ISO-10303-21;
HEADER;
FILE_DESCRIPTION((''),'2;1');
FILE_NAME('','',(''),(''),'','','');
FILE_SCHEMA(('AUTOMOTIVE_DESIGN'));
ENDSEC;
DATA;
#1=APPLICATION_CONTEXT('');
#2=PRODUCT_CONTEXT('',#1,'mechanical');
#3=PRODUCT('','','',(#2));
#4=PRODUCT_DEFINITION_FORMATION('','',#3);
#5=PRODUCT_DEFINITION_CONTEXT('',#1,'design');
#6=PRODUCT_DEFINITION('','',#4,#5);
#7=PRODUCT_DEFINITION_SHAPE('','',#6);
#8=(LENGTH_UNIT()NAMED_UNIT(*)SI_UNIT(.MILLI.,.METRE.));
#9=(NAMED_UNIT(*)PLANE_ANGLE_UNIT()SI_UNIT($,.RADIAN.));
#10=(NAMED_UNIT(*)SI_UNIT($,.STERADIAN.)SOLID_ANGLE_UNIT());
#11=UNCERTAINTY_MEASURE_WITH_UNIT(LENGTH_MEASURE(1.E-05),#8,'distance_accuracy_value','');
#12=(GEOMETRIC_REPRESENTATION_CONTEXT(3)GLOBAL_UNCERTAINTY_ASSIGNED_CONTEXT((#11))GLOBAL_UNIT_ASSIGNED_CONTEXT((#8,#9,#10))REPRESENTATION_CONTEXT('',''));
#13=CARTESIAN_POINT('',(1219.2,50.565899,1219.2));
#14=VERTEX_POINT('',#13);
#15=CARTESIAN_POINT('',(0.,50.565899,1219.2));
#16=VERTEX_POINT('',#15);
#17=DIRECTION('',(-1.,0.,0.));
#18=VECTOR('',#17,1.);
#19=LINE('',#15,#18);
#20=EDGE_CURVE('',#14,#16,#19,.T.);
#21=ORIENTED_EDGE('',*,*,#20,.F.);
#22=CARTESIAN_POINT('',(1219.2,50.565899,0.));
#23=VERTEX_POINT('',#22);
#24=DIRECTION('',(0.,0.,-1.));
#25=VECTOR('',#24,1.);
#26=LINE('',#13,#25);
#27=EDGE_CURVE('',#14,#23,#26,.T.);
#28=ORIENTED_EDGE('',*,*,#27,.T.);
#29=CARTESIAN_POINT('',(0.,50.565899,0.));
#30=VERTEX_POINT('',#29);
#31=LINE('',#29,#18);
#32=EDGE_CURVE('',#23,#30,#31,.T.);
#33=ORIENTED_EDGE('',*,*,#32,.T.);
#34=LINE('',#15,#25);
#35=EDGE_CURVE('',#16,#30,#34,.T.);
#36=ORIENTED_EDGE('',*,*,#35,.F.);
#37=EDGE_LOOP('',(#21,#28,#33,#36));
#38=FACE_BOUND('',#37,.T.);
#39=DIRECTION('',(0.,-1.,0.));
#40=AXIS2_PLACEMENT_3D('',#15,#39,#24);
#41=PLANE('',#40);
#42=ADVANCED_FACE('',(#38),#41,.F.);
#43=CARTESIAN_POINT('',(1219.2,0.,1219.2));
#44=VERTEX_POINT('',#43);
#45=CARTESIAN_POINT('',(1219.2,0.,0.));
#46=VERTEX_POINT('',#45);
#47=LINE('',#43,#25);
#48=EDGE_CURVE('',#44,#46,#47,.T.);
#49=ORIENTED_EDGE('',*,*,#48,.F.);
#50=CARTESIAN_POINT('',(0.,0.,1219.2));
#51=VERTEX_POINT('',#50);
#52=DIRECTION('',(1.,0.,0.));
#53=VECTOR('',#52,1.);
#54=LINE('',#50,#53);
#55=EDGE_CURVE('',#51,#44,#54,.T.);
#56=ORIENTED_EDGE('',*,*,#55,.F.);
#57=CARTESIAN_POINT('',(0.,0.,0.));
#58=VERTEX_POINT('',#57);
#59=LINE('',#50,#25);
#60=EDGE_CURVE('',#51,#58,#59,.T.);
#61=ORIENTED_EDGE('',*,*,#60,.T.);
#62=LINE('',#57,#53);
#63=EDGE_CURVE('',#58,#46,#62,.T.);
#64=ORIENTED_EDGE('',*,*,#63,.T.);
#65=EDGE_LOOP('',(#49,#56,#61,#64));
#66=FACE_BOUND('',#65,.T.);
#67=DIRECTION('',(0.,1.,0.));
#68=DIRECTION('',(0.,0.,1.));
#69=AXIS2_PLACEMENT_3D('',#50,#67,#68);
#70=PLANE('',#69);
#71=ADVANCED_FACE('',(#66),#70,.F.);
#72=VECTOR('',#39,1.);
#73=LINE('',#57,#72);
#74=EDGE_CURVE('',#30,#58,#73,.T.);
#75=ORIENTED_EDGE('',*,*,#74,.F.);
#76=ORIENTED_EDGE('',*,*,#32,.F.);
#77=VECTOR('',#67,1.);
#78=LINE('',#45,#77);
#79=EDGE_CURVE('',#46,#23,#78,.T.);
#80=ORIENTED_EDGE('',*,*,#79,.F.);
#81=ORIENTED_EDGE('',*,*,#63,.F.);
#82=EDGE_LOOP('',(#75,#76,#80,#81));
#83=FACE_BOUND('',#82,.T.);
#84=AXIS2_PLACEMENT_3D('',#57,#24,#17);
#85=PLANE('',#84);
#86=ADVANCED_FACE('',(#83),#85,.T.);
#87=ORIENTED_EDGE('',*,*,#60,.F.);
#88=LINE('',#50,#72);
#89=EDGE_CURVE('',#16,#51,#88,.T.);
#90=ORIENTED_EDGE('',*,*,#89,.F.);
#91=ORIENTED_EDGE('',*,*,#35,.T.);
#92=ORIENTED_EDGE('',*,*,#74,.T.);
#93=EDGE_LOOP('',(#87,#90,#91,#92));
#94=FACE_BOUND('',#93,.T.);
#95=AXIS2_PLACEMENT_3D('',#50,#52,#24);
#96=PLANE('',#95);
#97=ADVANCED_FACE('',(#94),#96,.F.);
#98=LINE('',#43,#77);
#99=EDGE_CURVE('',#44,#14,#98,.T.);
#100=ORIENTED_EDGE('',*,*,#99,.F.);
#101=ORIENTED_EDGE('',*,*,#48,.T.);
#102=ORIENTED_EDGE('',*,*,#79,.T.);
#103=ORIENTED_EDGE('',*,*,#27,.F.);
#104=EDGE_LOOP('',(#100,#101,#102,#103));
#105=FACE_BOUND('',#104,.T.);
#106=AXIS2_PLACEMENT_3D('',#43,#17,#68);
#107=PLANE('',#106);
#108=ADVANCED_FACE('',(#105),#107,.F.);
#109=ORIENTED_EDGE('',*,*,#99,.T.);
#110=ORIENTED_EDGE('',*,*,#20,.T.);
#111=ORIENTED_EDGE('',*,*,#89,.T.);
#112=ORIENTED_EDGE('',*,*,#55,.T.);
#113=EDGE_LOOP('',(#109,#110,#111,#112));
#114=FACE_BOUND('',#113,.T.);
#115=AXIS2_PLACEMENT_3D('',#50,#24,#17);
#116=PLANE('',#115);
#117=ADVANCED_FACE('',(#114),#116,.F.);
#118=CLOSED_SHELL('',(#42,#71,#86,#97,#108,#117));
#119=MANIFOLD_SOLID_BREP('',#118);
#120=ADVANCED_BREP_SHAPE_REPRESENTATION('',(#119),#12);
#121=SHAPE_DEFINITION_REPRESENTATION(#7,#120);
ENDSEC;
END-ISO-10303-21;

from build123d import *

# Parameters (mm, degrees)
SKETCH1_W           = 1219.2
SKETCH1_H           = 50.565898618
BOSS_EXTRUDE1_DEPTH = 1219.2


with BuildPart() as part:
    # Sketch1 → Boss-Extrude1 (new body)
    with BuildSketch(Plane.XY):
        with Locations((609.6, 25.282949309)):
            Rectangle(SKETCH1_W, SKETCH1_H)
    extrude(amount=BOSS_EXTRUDE1_DEPTH)


solid = part.part
